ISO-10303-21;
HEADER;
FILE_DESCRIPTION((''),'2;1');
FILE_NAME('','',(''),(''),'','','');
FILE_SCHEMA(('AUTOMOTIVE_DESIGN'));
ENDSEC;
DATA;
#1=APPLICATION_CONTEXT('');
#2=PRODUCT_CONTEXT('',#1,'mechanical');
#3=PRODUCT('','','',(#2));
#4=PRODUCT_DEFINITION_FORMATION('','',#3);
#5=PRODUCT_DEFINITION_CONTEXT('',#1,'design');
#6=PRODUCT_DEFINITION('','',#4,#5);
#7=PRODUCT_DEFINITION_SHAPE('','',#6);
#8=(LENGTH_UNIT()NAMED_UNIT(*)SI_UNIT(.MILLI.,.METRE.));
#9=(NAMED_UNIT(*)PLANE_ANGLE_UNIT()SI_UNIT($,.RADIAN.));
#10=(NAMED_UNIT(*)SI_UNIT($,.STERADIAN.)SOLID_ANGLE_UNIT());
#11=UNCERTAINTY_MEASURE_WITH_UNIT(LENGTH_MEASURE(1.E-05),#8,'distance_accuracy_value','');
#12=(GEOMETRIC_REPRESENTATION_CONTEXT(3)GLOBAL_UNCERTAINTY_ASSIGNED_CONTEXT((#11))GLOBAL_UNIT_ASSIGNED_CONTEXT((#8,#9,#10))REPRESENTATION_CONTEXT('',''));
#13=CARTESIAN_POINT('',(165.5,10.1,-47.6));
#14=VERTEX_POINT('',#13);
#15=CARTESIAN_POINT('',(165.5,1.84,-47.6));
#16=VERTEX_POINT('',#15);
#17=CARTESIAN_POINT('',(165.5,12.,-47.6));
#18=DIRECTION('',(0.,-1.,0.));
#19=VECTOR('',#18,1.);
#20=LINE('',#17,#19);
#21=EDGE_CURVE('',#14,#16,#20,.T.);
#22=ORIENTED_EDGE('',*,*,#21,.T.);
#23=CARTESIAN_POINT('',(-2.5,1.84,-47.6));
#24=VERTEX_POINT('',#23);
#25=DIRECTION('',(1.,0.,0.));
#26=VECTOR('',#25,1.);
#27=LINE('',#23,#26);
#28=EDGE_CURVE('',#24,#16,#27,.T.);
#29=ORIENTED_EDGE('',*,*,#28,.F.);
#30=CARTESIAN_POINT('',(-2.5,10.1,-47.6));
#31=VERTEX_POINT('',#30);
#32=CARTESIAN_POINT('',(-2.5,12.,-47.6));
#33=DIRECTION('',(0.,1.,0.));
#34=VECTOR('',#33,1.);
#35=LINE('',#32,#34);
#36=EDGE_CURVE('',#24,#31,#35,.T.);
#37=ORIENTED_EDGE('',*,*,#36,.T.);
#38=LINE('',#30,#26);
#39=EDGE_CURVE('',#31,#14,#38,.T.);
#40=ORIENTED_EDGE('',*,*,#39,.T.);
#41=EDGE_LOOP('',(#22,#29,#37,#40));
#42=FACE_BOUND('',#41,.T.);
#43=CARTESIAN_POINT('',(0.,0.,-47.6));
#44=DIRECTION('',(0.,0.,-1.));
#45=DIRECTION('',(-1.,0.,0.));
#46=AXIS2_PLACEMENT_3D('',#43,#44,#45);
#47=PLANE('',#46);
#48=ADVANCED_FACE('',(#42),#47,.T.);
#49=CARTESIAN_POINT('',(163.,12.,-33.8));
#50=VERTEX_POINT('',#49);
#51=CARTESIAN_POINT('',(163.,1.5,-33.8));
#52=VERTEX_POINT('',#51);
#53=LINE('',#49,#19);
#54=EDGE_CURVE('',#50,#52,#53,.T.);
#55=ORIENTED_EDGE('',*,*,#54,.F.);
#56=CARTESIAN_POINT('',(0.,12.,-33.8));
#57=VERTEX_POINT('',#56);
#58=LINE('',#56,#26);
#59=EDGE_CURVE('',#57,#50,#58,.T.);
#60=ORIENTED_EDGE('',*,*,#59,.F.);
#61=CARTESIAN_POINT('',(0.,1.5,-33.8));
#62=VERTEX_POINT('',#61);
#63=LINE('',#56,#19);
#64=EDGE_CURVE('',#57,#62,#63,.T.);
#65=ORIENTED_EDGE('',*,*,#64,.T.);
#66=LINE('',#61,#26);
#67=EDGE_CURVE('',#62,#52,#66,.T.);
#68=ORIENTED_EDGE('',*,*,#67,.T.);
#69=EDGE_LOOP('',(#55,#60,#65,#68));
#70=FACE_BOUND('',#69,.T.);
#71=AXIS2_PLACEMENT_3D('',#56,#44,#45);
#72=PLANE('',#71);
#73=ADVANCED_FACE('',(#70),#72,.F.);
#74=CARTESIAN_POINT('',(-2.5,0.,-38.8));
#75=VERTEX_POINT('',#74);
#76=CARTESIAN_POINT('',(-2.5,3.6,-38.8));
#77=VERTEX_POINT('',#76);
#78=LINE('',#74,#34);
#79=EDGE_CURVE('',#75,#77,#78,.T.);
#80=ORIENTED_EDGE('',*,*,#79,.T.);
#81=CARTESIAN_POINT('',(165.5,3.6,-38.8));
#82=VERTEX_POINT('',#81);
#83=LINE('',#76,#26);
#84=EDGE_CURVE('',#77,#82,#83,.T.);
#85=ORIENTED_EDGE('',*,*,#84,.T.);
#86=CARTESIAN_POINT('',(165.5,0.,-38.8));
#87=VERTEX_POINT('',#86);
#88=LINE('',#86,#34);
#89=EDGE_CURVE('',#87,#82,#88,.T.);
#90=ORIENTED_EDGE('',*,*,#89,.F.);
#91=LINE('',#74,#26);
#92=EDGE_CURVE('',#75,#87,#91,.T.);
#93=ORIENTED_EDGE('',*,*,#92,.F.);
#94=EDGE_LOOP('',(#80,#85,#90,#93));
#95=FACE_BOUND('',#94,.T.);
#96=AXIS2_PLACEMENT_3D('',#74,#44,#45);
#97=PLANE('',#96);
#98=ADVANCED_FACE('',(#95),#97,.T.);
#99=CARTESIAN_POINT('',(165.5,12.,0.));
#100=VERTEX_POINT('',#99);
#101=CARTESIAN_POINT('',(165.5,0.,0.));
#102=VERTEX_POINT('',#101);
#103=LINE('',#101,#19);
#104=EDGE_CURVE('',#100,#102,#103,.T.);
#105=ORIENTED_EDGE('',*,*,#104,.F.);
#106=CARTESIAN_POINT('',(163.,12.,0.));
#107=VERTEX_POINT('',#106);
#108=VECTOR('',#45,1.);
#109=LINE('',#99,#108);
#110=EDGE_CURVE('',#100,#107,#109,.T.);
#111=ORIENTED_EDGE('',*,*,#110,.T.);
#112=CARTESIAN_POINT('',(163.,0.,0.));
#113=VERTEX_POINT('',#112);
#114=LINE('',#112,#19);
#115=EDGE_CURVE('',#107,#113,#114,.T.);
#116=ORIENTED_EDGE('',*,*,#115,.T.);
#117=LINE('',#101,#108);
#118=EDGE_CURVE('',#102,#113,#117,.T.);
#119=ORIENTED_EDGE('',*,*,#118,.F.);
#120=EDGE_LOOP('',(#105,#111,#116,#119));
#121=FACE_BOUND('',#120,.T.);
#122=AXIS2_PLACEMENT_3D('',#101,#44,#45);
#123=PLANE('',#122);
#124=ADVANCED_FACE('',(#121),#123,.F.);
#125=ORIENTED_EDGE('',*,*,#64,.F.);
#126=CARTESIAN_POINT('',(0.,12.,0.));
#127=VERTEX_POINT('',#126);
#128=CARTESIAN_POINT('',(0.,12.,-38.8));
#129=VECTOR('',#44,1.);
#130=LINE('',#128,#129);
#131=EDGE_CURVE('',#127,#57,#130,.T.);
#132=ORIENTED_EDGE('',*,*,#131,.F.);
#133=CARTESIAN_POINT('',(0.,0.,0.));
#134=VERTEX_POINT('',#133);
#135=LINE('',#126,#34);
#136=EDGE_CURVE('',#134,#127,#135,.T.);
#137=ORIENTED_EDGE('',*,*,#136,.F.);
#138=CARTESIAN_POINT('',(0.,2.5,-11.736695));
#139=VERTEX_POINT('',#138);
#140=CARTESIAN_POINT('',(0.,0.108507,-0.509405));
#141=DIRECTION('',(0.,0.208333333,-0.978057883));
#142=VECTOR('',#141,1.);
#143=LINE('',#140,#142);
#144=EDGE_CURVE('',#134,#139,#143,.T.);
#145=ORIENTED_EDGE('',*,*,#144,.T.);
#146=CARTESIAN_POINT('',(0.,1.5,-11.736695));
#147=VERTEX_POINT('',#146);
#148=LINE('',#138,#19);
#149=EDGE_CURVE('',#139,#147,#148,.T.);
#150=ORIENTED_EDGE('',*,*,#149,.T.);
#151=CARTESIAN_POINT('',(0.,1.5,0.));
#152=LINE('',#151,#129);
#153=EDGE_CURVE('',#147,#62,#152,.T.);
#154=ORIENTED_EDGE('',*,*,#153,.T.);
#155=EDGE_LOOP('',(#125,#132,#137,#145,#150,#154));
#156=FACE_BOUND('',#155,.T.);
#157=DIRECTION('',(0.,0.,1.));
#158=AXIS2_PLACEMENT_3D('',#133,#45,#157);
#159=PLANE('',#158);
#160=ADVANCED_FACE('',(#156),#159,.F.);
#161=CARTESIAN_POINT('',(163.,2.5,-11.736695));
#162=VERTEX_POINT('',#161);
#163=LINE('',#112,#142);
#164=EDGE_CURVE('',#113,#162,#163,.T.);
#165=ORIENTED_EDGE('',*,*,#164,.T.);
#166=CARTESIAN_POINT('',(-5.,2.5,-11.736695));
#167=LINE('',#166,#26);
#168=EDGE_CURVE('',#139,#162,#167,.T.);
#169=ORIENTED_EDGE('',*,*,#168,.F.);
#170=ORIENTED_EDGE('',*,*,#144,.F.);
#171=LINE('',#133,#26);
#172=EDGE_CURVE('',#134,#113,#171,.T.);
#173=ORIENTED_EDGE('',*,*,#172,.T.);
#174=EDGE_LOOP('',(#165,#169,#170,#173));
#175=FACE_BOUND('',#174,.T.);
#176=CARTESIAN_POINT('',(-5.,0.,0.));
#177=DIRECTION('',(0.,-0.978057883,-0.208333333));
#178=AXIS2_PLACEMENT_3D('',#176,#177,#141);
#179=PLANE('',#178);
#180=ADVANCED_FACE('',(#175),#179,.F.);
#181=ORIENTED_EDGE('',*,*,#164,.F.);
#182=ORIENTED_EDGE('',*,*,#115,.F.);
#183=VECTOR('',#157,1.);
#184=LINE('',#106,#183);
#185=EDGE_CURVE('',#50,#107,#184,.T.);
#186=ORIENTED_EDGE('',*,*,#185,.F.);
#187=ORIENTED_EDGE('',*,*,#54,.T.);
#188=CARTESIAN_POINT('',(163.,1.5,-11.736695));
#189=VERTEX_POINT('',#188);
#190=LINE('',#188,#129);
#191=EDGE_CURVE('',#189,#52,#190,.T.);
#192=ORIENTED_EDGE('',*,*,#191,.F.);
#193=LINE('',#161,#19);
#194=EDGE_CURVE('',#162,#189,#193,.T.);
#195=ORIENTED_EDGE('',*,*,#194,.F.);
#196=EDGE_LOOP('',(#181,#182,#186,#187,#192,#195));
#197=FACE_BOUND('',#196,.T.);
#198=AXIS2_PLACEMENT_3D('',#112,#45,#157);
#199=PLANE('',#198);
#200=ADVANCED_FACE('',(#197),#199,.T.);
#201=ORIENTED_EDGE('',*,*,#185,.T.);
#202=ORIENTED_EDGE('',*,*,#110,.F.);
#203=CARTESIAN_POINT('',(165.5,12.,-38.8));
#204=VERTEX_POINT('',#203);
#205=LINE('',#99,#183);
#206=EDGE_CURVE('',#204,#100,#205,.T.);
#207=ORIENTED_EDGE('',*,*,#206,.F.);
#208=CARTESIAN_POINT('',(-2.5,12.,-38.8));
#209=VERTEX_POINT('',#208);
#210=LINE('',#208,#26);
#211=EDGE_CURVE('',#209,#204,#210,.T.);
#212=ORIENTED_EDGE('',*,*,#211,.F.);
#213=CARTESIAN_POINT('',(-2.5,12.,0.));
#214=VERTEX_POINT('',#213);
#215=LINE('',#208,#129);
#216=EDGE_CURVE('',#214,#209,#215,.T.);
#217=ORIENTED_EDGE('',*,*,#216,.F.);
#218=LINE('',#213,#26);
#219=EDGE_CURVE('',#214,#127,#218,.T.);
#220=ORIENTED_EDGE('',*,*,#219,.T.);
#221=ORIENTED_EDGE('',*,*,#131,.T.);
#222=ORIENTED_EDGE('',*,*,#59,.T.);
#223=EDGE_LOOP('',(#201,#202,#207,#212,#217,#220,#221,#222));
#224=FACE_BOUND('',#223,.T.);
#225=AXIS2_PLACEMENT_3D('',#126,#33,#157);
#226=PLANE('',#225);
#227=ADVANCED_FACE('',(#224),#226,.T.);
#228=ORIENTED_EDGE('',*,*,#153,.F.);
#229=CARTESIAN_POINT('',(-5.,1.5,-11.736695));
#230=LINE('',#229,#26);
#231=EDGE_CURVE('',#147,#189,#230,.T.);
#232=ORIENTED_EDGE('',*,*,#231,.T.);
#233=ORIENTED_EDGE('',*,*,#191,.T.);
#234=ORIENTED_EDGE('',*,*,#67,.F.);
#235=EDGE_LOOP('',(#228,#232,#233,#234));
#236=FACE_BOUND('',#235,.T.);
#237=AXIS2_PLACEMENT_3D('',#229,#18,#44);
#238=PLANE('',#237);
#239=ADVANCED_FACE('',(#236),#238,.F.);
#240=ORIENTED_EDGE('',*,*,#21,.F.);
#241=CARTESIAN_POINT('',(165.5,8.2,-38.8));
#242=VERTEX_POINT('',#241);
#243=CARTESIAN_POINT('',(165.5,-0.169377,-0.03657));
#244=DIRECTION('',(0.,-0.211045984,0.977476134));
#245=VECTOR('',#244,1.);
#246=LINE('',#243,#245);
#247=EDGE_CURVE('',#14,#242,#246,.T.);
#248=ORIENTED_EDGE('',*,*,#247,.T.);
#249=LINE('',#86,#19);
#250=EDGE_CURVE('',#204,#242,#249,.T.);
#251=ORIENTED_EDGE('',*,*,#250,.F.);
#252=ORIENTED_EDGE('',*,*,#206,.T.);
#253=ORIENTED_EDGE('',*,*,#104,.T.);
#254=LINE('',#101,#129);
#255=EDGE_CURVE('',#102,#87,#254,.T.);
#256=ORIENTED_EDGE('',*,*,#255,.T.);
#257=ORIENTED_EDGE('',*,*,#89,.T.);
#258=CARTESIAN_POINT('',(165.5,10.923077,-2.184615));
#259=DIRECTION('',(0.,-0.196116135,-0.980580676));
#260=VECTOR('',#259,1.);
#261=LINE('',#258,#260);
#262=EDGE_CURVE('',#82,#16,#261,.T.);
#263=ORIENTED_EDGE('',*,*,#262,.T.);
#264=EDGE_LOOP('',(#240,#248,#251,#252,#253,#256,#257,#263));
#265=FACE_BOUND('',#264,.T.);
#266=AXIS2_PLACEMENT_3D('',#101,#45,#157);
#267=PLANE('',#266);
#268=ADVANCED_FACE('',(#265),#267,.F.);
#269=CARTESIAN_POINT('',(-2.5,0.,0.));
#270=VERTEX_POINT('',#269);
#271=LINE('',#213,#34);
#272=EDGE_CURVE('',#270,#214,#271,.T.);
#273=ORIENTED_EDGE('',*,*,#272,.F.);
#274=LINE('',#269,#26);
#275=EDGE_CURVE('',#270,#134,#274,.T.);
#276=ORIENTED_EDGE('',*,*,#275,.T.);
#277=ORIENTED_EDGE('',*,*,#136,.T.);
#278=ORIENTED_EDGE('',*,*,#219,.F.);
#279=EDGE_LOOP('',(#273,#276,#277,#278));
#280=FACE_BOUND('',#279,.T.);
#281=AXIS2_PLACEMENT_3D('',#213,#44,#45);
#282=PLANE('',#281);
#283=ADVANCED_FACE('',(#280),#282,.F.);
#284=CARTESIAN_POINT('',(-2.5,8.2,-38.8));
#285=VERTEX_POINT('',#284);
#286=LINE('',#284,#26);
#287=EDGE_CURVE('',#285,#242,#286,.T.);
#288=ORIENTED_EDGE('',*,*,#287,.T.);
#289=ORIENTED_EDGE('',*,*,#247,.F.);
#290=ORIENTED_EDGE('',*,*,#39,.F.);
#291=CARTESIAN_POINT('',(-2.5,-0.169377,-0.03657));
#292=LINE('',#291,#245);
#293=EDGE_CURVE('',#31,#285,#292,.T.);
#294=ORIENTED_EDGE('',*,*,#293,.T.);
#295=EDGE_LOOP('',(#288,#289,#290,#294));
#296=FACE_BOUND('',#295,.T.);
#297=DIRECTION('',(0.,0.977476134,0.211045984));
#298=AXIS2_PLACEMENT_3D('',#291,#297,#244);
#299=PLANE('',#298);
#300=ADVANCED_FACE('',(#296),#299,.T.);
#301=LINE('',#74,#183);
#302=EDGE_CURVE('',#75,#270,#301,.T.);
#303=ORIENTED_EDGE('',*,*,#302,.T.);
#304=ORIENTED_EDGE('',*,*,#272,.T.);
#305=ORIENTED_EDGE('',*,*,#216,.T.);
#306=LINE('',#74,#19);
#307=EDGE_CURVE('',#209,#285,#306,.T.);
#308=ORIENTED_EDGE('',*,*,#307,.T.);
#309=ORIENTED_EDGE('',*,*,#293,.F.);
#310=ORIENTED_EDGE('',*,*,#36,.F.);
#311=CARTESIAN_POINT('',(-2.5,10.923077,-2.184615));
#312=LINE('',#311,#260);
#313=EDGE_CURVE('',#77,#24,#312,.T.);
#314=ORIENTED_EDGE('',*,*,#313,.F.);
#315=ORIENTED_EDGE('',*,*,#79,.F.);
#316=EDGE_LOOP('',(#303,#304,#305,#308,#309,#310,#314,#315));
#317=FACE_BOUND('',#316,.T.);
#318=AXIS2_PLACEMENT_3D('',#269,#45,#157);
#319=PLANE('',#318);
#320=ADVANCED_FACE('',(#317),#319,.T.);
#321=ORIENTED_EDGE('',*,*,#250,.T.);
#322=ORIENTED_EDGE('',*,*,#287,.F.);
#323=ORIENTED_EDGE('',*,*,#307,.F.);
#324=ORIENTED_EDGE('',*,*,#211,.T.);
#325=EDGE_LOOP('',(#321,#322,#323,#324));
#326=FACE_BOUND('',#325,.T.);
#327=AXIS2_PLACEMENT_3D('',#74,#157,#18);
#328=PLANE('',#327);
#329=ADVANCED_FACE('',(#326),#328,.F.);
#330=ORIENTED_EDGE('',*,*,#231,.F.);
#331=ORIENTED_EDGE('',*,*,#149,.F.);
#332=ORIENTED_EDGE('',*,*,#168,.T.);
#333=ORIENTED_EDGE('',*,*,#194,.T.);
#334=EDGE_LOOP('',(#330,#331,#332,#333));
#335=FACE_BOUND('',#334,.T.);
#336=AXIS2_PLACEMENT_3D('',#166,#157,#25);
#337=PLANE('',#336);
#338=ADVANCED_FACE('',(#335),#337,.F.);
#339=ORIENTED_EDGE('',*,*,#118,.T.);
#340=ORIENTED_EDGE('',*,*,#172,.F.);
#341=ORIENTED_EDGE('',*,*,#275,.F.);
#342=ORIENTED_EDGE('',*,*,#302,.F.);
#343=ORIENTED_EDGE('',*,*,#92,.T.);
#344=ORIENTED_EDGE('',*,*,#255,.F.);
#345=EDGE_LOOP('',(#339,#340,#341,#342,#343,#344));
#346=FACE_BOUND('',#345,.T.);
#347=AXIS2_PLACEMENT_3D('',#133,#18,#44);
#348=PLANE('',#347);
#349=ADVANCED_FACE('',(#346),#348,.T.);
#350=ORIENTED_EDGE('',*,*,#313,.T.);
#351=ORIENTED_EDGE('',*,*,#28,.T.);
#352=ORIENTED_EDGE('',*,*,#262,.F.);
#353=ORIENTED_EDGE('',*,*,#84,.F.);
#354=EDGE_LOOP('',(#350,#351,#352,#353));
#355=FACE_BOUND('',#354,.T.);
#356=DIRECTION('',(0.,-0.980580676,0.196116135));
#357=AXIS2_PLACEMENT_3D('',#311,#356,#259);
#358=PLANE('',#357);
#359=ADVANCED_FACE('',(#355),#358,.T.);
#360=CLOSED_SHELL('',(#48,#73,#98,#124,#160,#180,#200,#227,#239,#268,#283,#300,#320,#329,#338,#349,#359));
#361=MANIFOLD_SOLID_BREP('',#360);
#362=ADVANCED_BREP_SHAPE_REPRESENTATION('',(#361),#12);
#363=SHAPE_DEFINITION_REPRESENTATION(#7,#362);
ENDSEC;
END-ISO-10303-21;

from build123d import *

# Parameters (mm, degrees)
SKETCH1_W           = 163
SKETCH1_H           = 38.8
BOSS_EXTRUDE1_DEPTH = 2.5
CUT_EXTRUDE1_DEPTH  = 168
SKETCH4_W           = 27.063305406
SKETCH4_H           = 1
CUT_EXTRUDE2_DEPTH  = 168
SKETCH5_W           = 163
SKETCH5_H           = 5
BOSS_EXTRUDE2_DEPTH = 10.5
SKETCH6_W           = 38.8
SKETCH6_H           = 12
BOSS_EXTRUDE3_DEPTH = 2.5
SKETCH7_W           = 38.8
SKETCH7_H           = 12
BOSS_EXTRUDE4_DEPTH = 2.5
SKETCH8_W           = 168
SKETCH8_H           = 12
BOSS_EXTRUDE5_DEPTH = 8.8
SKETCH9_W           = 8.8
SKETCH9_H           = 1.9
SKETCH9_W_2         = 9
SKETCH9_H_2         = 1.8
CUT_EXTRUDE3_DEPTH  = 176.025026782


with BuildPart() as part:
    # Sketch1 → Boss-Extrude1 (new body)
    with BuildSketch(Plane(origin=(0, 0, 0), x_dir=(1, 0, 0), z_dir=(0, 1, 0))):
        with Locations((81.5, 19.4)):
            Rectangle(SKETCH1_W, SKETCH1_H)
    extrude(amount=BOSS_EXTRUDE1_DEPTH)

    # Sketch3 → Cut-Extrude1 (cut)
    with BuildSketch(Plane(origin=(163, 0, 0), x_dir=(0, 0, -1), z_dir=(1, 0, 0))):
        Polygon((0, 0), (11.736694594, 2.5), (0, 2.5), align=None)
    extrude(amount=-CUT_EXTRUDE1_DEPTH, mode=Mode.SUBTRACT)

    # Sketch4 → Cut-Extrude2 (cut)
    with BuildSketch(Plane(origin=(163, 0, 0), x_dir=(0, 0, -1), z_dir=(1, 0, 0))):
        with Locations((25.268347297, 2)):
            Rectangle(SKETCH4_W, SKETCH4_H)
    extrude(amount=-CUT_EXTRUDE2_DEPTH, mode=Mode.SUBTRACT)

    # Sketch5 → Boss-Extrude2 (add)
    with BuildSketch(Plane(origin=(0, 1.5, 0), x_dir=(1, 0, 0), z_dir=(0, 1, 0))):
        with Locations((81.5, 36.3)):
            Rectangle(SKETCH5_W, SKETCH5_H)
    extrude(amount=BOSS_EXTRUDE2_DEPTH)

    # Sketch6 → Boss-Extrude3 (add)
    with BuildSketch(Plane.ZY):
        with Locations((-19.4, 6)):
            Rectangle(SKETCH6_W, SKETCH6_H)
    extrude(amount=BOSS_EXTRUDE3_DEPTH)

    # Sketch7 → Boss-Extrude4 (add)
    with BuildSketch(Plane(origin=(163, 0, 0), x_dir=(0, 0, -1), z_dir=(1, 0, 0))):
        with Locations((19.4, 6)):
            Rectangle(SKETCH7_W, SKETCH7_H)
    extrude(amount=BOSS_EXTRUDE4_DEPTH)

    # Sketch8 → Boss-Extrude5 (add)
    with BuildSketch(Plane(origin=(0, 0, -38.8), x_dir=(-1, 0, 0), z_dir=(0, 0, -1))):
        with Locations((-81.5, 6)):
            Rectangle(SKETCH8_W, SKETCH8_H)
    extrude(amount=BOSS_EXTRUDE5_DEPTH)

    # Sketch9 → Cut-Extrude3 (cut, through all)
    with BuildSketch(Plane(origin=(165.5, 0, 0), x_dir=(0, 0, -1), z_dir=(1, 0, 0))):
        with Locations((43.2, 11.05)):
            Rectangle(SKETCH9_W, SKETCH9_H)
        Polygon((47.8, 1.8), (38.8, 3.6), (38.8, 1.8), align=None)
        Polygon((47.6, 10.1), (38.8, 10.1), (38.8, 8.2), align=None)
        with Locations((43.3, 0.9)):
            Rectangle(SKETCH9_W_2, SKETCH9_H_2)
    extrude(amount=-CUT_EXTRUDE3_DEPTH, mode=Mode.SUBTRACT)


solid = part.part
